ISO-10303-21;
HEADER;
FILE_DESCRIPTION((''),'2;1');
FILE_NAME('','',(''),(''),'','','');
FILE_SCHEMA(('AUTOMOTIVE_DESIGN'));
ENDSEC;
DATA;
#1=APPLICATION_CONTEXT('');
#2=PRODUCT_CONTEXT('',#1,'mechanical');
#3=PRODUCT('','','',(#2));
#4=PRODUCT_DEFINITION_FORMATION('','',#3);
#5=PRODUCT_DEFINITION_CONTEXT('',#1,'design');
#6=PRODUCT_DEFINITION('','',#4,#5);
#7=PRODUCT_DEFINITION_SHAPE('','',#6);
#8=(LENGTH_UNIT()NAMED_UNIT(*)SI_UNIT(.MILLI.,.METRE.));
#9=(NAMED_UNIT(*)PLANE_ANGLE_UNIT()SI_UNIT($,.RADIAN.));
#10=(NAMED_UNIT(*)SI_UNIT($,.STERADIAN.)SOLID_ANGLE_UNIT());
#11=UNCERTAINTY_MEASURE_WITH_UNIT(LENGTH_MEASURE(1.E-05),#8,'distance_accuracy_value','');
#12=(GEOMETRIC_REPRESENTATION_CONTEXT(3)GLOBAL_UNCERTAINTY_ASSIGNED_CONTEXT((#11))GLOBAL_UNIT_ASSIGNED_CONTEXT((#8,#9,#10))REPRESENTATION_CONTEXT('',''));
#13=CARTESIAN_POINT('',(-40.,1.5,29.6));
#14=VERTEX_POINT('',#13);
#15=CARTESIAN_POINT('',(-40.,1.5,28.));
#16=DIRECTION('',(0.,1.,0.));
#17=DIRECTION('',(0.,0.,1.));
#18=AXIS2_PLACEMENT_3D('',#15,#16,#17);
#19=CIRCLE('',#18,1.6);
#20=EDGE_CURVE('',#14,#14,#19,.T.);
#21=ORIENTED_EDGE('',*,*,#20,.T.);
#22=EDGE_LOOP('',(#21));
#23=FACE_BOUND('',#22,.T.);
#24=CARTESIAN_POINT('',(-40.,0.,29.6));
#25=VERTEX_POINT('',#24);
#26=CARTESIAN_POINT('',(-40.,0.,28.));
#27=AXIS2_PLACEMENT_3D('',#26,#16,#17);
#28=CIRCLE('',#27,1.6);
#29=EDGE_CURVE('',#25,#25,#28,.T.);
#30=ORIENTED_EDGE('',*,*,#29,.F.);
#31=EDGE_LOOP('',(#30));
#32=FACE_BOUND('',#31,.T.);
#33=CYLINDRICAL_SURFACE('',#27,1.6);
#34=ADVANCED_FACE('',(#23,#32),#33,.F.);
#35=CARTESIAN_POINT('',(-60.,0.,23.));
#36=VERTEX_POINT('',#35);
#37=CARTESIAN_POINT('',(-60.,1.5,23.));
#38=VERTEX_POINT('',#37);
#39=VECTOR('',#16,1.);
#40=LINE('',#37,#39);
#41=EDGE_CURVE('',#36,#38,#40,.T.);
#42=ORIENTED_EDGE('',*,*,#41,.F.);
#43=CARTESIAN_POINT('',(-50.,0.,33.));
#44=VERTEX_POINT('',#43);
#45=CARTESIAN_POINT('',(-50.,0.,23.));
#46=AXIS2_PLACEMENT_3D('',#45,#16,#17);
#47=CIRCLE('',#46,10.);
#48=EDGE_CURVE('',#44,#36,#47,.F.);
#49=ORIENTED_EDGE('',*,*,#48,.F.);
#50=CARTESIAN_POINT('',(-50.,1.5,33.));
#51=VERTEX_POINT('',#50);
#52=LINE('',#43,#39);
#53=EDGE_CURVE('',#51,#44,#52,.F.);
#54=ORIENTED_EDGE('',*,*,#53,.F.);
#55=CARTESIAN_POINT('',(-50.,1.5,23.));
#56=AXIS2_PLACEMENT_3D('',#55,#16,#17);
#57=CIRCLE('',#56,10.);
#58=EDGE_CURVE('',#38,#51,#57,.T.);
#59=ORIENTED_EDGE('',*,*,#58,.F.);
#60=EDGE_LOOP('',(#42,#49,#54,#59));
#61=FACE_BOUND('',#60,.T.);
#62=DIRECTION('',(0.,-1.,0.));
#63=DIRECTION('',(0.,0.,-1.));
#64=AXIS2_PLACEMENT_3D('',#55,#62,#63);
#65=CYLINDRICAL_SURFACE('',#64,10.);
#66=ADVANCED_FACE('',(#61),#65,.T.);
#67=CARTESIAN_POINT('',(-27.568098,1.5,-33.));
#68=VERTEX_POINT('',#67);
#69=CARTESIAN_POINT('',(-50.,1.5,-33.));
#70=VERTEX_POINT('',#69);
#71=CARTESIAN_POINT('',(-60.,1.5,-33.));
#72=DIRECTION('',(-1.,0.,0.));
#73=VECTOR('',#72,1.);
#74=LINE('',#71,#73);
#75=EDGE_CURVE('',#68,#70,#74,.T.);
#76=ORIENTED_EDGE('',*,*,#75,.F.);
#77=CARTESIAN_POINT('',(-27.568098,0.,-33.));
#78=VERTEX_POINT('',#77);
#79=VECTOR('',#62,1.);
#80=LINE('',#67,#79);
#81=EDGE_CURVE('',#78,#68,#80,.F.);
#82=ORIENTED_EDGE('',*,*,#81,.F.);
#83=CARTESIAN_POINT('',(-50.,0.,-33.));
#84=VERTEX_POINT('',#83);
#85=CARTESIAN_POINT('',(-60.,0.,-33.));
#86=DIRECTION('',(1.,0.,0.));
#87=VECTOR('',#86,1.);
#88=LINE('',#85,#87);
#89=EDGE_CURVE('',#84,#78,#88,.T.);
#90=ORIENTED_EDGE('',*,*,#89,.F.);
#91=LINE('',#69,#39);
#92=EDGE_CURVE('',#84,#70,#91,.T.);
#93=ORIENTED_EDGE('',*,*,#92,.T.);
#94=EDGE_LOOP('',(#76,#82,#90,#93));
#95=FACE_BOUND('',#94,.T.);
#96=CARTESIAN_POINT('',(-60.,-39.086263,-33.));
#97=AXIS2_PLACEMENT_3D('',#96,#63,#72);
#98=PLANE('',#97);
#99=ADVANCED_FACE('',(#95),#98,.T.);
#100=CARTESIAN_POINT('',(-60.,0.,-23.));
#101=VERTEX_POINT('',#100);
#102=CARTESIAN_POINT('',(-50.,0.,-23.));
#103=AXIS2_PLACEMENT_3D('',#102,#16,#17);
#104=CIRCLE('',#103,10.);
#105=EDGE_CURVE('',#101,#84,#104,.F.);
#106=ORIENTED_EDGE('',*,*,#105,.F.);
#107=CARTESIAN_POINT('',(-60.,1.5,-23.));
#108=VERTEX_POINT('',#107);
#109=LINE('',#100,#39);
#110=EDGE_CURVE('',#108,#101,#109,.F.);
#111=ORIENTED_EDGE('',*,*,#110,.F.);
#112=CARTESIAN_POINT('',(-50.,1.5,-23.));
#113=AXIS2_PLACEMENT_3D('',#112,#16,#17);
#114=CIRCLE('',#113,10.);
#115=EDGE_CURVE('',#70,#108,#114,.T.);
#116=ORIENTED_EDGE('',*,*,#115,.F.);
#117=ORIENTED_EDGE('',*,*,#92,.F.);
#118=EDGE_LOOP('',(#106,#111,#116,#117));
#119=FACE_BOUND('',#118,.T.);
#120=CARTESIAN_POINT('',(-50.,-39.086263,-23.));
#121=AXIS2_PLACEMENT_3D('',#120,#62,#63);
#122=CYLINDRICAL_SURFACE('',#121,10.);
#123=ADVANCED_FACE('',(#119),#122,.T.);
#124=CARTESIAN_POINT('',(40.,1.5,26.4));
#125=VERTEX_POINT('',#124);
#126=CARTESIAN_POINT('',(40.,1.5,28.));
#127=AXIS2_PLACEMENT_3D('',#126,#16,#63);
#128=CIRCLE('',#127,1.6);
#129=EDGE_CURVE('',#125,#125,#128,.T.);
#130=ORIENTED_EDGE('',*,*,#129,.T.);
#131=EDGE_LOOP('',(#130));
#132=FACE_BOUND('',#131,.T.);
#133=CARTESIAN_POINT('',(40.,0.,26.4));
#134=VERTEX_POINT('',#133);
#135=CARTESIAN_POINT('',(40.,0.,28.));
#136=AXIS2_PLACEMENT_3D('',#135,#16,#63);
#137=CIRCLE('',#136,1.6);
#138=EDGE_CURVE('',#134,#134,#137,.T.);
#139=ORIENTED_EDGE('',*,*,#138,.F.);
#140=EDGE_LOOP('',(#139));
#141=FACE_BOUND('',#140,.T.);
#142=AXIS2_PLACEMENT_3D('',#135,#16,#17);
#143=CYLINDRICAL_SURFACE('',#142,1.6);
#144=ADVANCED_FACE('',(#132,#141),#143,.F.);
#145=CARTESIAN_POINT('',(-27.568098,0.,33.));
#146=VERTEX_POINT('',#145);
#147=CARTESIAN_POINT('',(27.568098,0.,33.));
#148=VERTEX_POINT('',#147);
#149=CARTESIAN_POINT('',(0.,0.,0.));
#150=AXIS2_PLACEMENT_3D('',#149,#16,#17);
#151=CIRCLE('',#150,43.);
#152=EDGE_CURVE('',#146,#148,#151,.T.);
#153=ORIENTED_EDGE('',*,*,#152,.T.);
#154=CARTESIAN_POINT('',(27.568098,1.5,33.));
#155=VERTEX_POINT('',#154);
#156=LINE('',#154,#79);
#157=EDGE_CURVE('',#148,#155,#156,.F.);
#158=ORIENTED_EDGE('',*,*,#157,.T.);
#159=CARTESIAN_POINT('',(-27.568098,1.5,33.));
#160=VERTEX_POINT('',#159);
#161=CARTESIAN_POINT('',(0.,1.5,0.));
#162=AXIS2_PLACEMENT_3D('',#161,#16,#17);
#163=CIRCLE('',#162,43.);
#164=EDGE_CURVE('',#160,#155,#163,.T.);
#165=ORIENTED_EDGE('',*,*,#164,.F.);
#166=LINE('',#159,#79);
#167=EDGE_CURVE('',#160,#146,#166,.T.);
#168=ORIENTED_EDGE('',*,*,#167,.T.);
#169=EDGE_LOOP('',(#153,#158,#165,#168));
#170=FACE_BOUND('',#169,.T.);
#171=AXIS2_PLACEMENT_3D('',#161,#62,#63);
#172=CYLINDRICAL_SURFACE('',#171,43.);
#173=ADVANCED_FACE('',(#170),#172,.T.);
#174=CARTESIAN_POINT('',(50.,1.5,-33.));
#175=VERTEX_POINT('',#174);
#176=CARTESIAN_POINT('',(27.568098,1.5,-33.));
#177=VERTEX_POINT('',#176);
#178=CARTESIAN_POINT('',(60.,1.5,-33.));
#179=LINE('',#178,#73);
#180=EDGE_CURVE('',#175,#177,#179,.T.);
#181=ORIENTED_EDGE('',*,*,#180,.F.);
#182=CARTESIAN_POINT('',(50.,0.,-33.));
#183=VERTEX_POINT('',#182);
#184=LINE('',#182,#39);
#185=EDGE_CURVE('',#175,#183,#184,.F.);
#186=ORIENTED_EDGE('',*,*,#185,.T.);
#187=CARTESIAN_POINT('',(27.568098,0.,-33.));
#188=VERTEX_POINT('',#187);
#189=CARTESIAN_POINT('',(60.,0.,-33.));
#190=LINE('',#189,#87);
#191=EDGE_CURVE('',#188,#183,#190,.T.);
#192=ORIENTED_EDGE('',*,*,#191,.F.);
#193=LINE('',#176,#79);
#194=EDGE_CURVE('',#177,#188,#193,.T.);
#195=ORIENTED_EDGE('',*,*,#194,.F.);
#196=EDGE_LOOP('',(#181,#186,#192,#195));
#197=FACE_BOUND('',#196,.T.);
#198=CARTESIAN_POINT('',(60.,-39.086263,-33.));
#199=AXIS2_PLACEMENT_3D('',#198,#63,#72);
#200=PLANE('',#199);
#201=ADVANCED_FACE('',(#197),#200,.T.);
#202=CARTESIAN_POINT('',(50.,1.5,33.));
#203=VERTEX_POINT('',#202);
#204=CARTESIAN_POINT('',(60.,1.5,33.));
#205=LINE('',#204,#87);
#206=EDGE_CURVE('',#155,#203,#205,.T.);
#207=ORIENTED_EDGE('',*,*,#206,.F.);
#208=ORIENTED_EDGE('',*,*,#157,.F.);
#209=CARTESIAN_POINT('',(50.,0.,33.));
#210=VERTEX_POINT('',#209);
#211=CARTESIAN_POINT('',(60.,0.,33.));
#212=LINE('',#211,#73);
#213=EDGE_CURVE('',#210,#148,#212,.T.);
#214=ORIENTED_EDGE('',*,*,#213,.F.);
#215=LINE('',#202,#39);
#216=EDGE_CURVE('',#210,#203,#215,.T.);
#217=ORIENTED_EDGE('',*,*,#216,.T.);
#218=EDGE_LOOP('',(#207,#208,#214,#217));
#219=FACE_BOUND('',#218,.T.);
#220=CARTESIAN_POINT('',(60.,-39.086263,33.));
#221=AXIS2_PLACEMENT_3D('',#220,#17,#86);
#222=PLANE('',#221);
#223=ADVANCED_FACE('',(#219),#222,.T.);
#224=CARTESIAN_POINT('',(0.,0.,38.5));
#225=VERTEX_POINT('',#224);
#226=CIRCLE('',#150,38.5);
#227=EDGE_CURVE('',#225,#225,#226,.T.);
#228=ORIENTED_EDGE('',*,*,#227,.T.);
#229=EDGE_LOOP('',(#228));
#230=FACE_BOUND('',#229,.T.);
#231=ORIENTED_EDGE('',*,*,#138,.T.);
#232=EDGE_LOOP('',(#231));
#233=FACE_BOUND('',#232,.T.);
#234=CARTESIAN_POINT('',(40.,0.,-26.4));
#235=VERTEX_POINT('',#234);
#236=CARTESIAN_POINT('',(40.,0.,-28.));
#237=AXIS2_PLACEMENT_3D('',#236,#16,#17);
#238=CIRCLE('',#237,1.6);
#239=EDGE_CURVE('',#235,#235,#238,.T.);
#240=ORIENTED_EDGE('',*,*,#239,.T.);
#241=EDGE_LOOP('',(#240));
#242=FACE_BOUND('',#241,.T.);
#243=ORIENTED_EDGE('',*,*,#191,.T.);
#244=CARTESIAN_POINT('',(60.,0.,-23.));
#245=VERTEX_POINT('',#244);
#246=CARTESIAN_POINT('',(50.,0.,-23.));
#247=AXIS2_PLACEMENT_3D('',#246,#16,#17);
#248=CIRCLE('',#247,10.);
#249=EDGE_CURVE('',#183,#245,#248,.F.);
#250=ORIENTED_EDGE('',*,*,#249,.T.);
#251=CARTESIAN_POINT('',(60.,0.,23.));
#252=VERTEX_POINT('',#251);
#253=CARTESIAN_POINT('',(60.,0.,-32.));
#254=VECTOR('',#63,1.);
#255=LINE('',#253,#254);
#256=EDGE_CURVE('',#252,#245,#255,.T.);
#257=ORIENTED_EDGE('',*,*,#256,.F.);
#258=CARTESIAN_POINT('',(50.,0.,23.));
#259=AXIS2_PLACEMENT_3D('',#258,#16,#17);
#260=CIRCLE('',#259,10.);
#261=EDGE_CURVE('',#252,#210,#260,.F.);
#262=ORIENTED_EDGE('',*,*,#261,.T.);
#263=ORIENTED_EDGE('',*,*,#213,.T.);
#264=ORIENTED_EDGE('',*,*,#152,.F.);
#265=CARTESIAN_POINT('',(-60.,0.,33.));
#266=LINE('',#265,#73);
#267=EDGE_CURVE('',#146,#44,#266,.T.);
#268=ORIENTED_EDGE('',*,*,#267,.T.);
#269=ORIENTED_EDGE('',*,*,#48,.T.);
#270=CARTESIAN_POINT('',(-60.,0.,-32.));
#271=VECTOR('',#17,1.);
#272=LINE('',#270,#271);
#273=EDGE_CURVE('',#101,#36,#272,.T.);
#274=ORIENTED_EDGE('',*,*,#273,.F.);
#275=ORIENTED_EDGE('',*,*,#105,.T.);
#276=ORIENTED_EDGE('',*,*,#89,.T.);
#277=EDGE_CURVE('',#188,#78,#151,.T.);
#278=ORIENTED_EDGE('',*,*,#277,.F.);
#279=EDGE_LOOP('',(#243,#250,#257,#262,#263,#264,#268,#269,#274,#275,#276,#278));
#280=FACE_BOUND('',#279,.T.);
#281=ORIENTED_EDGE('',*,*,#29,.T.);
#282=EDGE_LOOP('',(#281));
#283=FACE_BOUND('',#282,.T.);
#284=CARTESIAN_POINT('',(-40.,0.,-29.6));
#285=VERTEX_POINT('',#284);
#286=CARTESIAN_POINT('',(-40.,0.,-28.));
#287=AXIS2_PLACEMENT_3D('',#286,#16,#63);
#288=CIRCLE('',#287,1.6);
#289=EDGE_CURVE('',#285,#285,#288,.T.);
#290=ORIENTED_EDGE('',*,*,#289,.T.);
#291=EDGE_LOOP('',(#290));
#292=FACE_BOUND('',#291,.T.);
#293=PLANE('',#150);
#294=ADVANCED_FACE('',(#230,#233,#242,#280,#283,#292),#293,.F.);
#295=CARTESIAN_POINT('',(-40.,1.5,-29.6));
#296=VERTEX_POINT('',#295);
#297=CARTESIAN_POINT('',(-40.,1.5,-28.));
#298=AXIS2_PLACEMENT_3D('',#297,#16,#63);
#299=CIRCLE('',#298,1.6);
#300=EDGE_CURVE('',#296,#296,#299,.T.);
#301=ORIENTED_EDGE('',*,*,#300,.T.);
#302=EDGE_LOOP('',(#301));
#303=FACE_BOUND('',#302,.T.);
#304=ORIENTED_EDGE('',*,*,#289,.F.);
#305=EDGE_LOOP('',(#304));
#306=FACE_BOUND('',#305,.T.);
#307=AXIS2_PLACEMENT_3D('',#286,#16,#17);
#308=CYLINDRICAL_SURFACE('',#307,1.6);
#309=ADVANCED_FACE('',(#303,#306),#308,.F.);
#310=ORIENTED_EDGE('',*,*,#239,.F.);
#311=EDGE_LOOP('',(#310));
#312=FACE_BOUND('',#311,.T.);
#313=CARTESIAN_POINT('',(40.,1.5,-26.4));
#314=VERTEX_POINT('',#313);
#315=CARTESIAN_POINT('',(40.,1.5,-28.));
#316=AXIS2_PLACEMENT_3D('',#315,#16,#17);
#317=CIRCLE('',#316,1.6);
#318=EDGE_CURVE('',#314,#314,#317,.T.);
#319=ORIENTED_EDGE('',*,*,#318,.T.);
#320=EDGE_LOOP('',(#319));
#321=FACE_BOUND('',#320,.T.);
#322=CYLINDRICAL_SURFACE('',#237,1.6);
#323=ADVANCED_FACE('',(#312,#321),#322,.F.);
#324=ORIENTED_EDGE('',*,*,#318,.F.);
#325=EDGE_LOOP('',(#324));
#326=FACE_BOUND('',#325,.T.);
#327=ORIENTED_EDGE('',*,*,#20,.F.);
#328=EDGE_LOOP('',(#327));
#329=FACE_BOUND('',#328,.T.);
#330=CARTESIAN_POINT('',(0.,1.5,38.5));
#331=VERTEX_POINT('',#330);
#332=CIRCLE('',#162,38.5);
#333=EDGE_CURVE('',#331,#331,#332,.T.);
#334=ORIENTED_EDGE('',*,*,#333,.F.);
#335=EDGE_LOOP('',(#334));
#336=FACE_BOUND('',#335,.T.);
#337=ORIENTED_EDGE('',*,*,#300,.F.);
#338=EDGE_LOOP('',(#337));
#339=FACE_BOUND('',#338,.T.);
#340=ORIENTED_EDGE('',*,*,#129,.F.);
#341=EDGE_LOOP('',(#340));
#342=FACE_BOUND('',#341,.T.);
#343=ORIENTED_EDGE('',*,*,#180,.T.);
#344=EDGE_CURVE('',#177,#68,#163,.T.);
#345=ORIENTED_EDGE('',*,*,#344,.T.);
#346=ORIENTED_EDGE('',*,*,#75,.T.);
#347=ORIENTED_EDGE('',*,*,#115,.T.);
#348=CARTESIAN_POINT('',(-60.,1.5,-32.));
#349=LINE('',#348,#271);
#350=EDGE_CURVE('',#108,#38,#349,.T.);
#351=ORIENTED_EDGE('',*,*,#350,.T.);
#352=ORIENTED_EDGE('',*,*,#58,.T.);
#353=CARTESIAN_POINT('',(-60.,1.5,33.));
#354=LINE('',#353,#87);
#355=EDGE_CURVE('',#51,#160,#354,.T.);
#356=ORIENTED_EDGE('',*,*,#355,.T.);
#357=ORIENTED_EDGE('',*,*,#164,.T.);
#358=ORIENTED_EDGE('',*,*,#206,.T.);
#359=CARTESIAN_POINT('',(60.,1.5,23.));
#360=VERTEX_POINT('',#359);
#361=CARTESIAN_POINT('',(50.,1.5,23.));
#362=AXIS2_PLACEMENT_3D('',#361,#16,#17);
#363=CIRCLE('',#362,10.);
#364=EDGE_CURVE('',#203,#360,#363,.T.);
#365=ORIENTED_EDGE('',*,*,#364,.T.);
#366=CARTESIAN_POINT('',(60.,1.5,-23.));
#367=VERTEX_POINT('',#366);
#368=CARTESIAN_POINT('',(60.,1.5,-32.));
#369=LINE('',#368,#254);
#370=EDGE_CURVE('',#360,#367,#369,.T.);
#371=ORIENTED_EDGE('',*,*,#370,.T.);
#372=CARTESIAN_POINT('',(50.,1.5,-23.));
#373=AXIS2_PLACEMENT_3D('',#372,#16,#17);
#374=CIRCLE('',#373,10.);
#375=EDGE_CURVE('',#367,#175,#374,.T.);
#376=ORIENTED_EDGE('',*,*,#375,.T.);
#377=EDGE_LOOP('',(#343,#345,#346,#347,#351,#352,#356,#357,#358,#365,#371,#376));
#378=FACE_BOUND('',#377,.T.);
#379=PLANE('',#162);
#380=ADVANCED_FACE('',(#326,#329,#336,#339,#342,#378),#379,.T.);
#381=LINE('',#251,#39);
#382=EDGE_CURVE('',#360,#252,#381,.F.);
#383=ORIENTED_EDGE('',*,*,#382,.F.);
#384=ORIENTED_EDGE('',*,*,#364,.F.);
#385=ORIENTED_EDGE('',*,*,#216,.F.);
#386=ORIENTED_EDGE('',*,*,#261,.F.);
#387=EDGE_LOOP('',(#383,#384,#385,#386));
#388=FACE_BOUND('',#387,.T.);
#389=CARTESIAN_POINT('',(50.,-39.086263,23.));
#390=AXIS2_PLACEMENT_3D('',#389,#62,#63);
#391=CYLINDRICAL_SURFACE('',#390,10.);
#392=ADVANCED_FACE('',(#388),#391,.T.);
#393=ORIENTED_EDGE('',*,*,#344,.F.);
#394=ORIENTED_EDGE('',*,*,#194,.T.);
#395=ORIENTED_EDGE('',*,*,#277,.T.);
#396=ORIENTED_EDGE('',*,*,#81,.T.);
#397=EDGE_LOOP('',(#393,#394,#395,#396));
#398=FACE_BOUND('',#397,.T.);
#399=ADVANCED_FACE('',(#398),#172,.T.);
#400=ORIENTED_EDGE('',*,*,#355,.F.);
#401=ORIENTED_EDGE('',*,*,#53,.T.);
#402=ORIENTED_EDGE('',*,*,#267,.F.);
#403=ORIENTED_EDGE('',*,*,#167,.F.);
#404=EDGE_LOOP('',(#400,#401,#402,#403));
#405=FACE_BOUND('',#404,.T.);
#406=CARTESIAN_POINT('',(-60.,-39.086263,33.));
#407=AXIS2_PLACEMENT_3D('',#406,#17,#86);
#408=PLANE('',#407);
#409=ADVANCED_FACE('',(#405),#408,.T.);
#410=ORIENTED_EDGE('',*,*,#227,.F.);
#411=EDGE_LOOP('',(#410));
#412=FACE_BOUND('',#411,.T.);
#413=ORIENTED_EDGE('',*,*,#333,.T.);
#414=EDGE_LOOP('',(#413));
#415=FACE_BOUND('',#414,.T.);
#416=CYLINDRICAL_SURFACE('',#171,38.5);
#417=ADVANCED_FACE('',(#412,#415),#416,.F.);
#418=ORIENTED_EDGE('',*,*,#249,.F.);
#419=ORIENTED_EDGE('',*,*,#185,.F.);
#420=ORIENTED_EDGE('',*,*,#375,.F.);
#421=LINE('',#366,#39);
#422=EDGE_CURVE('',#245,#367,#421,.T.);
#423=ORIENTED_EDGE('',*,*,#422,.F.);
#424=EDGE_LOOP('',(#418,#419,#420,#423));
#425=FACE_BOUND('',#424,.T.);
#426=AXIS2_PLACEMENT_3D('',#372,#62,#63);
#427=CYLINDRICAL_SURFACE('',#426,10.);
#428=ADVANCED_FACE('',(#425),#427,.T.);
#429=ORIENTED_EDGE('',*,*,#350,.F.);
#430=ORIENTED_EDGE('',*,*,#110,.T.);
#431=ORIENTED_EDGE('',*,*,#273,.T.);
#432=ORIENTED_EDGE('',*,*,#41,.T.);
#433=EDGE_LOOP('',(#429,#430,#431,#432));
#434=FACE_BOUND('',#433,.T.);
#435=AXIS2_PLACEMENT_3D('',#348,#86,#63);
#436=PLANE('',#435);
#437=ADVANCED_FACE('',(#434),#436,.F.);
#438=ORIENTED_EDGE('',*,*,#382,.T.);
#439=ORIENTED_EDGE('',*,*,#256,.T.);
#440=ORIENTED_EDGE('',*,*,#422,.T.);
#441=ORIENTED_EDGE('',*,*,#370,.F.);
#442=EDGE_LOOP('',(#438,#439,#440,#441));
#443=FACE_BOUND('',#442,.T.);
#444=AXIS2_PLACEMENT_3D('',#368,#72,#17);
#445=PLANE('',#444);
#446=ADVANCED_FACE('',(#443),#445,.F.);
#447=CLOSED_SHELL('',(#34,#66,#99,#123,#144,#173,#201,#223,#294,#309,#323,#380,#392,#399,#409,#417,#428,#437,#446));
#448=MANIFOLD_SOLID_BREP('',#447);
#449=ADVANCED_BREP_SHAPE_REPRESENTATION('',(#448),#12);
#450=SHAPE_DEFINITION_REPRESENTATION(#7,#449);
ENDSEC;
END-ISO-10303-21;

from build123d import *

# Parameters (mm, degrees)
SKETCH2_R           = 38.5
BOSS_EXTRUDE4_DEPTH = 1.5
BOSS_EXTRUDE5_DEPTH = 1.5
SKETCH4_R           = 1.6
CUT_EXTRUDE1_DEPTH  = 1.5
FILLET1_R           = 10


with BuildPart() as part:
    # Sketch2 → Boss-Extrude4 (new body)
    with BuildSketch(Plane(origin=(0, 0, 0), x_dir=(1, 0, 0), z_dir=(0, 1, 0))):
        with BuildLine():
            Line((-60, 32), (-28.722813233, 32))
            ThreePointArc((-28.722813233, 32), (0, 43), (28.722813233, 32))
            Line((28.722813233, 32), (60, 32))
            Line((60, 32), (60, -32))
            Line((60, -32), (28.722813233, -32))
            ThreePointArc((28.722813233, -32), (0, -43), (-28.722813233, -32))
            Line((-28.722813233, -32), (-60, -32))
            Line((-60, -32), (-60, 32))
        make_face()
        Circle(SKETCH2_R, mode=Mode.SUBTRACT)
    extrude(amount=BOSS_EXTRUDE4_DEPTH)

    # Sketch3 → Boss-Extrude5 (add)
    with BuildSketch(Plane(origin=(0, 1.5, 0), x_dir=(1, 0, 0), z_dir=(0, 1, 0))):
        Polygon((60, 32), (60, 33), (22.967632109, 33), (40.759186936, 20.496414307), (60, 20.496414307), align=None)
        Polygon((60, -20.496414307), (60, -32), (60, -33), (22.967632109, -33), (40.759186936, -20.496414307), align=None)
        Polygon((-60, -32), (-60, -33), (-22.967632109, -33), (-40.759186936, -20.496414307), (-60, -20.496414307), align=None)
        Polygon((-60, 20.496414307), (-60, 32), (-60, 33), (-22.967632109, 33), (-40.759186936, 20.496414307), align=None)
    extrude(amount=-BOSS_EXTRUDE5_DEPTH)

    # Sketch4 → Cut-Extrude1 (cut)
    with BuildSketch(Plane(origin=(0, 1.5, 0), x_dir=(1, 0, 0), z_dir=(0, 1, 0))):
        with Locations((40, 28)):
            Circle(SKETCH4_R)
        with Locations((40, -28)):
            Circle(SKETCH4_R)
        with Locations((-40, -28)):
            Circle(SKETCH4_R)
        with Locations((-40, 28)):
            Circle(SKETCH4_R)
    extrude(amount=-CUT_EXTRUDE1_DEPTH, mode=Mode.SUBTRACT)

    # Fillet1
    fillet1_edges = [part.edges().sort_by_distance(p)[0] for p in [
        (60, 0.75, -33),
        (60, 0.75, 33),
        (-60, 0.75, 33),
        (-60, 0.75, -33),
    ]]
    fillet(fillet1_edges, radius=FILLET1_R)


solid = part.part
